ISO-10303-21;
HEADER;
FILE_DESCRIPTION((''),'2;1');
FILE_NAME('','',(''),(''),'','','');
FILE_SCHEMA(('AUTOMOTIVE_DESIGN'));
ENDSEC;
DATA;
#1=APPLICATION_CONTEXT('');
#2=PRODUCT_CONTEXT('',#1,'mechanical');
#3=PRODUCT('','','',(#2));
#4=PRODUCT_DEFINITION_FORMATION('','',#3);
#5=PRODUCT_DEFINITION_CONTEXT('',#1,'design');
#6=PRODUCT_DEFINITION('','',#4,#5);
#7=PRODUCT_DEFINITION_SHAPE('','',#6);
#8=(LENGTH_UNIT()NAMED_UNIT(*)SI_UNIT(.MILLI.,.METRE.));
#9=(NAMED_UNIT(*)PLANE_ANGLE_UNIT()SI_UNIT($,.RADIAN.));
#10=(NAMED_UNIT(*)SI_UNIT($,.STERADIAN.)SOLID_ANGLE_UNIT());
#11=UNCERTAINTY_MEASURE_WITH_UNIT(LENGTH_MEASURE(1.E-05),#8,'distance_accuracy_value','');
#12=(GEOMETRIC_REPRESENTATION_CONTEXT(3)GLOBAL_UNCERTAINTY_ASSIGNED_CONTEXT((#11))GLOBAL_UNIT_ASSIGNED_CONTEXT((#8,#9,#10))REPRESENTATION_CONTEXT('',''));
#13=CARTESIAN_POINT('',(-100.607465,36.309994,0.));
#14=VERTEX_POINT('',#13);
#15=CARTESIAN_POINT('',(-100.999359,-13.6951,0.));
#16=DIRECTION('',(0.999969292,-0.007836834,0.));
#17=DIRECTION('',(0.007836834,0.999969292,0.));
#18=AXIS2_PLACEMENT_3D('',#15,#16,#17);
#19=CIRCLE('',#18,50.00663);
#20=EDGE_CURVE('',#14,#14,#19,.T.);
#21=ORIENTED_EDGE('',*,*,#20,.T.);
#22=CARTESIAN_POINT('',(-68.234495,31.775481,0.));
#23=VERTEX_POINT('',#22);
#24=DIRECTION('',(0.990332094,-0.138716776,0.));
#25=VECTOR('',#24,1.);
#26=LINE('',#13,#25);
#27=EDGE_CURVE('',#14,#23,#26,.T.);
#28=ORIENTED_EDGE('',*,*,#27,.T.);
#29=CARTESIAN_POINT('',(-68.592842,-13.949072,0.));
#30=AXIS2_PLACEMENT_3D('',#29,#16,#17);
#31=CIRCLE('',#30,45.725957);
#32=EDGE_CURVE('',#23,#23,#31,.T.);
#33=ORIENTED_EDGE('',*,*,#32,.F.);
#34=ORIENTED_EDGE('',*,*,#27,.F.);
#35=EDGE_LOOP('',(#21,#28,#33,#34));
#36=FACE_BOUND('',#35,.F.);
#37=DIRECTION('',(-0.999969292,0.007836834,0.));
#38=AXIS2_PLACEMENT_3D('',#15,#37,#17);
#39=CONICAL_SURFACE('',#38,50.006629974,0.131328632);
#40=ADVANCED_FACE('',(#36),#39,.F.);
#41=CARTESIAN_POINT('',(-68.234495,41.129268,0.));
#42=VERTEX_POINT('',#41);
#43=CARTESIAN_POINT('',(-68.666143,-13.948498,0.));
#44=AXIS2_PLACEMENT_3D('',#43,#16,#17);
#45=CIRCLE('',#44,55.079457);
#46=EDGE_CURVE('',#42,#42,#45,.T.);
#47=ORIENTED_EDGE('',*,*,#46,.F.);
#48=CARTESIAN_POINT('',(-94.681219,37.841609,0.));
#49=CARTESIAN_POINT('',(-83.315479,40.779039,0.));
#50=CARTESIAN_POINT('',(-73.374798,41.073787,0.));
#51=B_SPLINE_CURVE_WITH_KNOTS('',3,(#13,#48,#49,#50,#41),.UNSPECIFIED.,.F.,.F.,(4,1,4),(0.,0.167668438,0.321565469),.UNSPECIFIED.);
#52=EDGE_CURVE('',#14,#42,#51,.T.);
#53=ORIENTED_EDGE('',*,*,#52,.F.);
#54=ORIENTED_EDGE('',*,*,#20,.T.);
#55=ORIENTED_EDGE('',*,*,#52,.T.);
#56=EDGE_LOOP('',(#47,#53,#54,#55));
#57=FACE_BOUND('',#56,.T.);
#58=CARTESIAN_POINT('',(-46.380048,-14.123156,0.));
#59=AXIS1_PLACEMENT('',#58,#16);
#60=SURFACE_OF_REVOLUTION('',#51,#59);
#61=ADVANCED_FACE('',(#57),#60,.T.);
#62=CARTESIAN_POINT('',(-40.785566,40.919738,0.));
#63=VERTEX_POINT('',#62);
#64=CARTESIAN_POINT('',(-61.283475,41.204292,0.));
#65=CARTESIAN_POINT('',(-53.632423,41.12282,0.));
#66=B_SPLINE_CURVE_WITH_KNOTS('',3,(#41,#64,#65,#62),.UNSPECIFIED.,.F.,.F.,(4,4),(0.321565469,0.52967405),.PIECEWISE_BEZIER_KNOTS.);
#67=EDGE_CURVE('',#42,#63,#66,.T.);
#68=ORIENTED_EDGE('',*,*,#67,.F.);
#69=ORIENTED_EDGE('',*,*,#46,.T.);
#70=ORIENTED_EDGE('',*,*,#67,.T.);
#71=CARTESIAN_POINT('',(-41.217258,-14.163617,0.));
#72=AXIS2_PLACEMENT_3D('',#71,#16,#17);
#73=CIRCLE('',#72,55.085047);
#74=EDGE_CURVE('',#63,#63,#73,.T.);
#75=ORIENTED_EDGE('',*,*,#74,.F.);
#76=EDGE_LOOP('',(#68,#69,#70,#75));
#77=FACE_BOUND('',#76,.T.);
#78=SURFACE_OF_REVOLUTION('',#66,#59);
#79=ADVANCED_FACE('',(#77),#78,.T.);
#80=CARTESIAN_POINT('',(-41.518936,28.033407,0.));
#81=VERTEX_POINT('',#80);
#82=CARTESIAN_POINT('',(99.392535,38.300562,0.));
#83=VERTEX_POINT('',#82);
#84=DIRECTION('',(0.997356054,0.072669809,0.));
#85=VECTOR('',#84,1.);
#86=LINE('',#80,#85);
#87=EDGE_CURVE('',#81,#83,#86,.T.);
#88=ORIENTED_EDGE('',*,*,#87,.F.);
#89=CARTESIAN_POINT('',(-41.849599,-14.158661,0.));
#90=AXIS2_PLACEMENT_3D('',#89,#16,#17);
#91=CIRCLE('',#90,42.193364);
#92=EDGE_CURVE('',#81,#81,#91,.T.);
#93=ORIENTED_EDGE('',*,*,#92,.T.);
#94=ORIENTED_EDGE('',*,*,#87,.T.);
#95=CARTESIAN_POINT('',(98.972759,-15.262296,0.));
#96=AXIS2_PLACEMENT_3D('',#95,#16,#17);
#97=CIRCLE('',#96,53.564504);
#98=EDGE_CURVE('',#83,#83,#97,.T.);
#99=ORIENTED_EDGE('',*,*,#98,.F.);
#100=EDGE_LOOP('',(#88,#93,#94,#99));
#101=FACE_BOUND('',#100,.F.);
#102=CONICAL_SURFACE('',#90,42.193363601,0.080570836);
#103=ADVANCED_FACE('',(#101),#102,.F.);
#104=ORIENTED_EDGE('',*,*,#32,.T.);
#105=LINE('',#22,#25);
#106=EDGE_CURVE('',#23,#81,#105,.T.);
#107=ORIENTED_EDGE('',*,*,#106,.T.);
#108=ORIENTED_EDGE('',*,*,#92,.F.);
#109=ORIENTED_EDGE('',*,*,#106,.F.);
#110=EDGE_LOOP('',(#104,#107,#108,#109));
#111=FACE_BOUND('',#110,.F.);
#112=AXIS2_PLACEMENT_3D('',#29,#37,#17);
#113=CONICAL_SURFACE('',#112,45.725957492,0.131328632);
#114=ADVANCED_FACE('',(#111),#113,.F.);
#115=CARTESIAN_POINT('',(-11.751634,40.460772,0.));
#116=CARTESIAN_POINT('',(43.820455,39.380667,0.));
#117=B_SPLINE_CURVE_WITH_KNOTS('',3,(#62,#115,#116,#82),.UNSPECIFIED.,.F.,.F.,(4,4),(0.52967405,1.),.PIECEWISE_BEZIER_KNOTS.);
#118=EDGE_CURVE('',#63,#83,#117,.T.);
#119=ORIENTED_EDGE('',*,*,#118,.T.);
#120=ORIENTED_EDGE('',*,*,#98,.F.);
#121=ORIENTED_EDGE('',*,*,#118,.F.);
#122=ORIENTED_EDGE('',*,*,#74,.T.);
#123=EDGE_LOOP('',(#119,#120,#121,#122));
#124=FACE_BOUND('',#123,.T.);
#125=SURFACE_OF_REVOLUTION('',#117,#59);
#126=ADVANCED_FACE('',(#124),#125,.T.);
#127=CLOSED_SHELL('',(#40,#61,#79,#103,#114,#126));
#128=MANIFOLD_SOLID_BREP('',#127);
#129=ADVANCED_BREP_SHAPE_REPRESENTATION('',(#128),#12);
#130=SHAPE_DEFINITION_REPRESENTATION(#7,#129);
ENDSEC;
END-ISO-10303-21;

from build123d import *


with BuildPart() as f1:
    # F0 (on Top) → F1 (revolve)
    with BuildSketch(Plane.XY):
        with BuildLine():
            add(Edge.make_bspline(
                [(-100.6074650794, 36.3099943073), (-94.681219166, 37.8416089123), (-83.3154792065, 40.7790388889), (-73.3747984366, 41.0737874514), (-68.2344948746, 41.1292680545)],
                knots=[0, 0, 0, 0, 0.1676684384, 0.3215654688, 0.3215654688, 0.3215654688, 0.3215654688], degree=3))
            Line((-100.6074650794, 36.3099943073), (-68.2344948746, 31.7754809876))
            Line((-68.2344948746, 31.7754809876), (-68.2344948746, 41.1292680545))
        make_face()
        with BuildLine():
            add(Edge.make_bspline(
                [(-68.2344948746, 41.1292680545), (-61.2834752413, 41.2042921763), (-53.632422984, 41.1228203939), (-40.785565642, 40.9197382543)],
                knots=[0.3215654688, 0.3215654688, 0.3215654688, 0.3215654688, 0.5296740499, 0.5296740499, 0.5296740499, 0.5296740499], degree=3))
            Line((-68.2344948746, 41.1292680545), (-68.2344948746, 31.7754809876))
            Line((-68.2344948746, 31.7754809876), (-41.5189362164, 28.0334067876))
            Line((-41.5189362164, 28.0334067876), (-40.785565642, 40.9197382543))
        make_face()
        with BuildLine():
            add(Edge.make_bspline(
                [(-40.785565642, 40.9197382543), (-11.7516336654, 40.4607720754), (43.8204552171, 39.3806673654), (99.3925349206, 38.3005622812)],
                knots=[0.5296740499, 0.5296740499, 0.5296740499, 0.5296740499, 1, 1, 1, 1], degree=3))
            Line((-40.785565642, 40.9197382543), (-41.5189362164, 28.0334067876))
            Line((-41.5189362164, 28.0334067876), (99.3925349206, 38.3005622812))
        make_face()
    revolve(axis=Axis((-46.3800478135, -14.1231556524, 0), (0.9999692915, -0.0078368339, 0)))


solid = f1.part
